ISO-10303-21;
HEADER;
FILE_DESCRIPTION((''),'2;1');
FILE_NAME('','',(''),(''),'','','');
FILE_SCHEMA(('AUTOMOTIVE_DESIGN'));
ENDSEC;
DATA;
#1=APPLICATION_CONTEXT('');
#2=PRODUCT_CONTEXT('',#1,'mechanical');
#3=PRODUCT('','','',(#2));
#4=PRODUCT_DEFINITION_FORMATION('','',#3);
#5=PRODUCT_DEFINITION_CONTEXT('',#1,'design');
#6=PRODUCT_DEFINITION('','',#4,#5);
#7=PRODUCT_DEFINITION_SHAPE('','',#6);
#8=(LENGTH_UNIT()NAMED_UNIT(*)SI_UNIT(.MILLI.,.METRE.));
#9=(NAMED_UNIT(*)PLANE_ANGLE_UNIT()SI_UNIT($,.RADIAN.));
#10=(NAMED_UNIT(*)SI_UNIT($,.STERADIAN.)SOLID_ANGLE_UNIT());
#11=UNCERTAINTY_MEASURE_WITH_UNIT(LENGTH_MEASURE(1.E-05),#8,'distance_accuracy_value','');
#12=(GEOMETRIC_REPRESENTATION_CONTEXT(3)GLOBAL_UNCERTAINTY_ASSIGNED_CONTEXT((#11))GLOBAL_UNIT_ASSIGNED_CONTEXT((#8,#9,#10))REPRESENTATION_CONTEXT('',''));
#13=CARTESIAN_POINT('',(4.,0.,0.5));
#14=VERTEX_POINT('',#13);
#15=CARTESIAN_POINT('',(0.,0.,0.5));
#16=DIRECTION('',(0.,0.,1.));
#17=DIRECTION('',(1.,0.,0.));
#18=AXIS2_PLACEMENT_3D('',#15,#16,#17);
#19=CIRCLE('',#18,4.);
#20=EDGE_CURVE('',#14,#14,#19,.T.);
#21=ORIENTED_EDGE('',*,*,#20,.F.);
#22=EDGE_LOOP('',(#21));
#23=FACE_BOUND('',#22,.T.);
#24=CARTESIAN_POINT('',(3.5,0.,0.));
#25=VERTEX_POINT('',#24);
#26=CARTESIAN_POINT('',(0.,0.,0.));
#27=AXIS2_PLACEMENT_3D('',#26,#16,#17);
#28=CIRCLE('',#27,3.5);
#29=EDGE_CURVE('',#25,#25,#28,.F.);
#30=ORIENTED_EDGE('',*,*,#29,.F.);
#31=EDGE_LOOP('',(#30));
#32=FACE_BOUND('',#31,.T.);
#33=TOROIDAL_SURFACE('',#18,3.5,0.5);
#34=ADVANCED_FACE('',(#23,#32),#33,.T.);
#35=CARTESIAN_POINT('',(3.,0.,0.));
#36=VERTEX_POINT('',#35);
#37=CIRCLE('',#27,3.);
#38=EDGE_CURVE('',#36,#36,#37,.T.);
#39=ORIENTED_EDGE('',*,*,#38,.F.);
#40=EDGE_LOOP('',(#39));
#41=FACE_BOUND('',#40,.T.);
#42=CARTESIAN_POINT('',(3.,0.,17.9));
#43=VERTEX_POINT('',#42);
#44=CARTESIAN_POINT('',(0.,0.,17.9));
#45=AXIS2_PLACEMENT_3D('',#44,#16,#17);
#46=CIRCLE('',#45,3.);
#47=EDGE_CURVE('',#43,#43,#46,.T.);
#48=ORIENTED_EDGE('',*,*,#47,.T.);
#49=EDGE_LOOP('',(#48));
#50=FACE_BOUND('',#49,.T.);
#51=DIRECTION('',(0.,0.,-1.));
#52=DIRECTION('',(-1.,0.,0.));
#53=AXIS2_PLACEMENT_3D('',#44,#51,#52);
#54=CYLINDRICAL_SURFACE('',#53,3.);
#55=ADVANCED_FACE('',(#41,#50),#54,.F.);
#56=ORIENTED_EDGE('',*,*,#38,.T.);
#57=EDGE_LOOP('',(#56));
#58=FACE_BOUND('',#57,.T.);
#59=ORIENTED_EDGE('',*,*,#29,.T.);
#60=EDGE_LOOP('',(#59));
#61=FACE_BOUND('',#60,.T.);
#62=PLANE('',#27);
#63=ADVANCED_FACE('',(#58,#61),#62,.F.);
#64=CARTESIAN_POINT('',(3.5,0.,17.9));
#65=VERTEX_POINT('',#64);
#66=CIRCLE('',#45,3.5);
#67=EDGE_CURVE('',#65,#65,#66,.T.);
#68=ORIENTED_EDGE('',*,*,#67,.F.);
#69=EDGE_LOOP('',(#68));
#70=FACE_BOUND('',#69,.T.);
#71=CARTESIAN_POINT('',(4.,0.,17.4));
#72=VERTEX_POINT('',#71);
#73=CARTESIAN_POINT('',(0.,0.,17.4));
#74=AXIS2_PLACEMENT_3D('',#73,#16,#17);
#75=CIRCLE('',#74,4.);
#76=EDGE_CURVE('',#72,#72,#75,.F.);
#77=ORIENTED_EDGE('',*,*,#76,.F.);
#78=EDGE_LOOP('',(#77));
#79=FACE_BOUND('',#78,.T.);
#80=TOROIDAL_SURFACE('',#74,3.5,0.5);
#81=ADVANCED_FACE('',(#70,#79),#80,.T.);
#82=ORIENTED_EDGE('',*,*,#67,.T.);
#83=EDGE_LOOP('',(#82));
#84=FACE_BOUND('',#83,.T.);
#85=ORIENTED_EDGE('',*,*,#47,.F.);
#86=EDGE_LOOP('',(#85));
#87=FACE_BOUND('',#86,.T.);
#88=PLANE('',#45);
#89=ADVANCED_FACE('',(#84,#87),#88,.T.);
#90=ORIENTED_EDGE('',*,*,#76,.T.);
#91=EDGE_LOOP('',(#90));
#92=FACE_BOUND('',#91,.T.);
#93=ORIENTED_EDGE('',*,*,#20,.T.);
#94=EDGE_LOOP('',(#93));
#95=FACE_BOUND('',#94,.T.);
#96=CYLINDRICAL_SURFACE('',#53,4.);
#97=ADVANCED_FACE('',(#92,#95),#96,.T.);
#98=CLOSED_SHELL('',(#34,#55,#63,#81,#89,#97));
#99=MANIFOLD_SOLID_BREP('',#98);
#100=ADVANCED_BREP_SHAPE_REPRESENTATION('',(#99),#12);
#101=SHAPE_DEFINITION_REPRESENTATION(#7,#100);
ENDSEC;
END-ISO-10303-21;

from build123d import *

# Parameters (mm, degrees)
SKETCH1_R           = 4
SKETCH1_R_2         = 3
BOSS_EXTRUDE1_DEPTH = 17.9
FILLET1_R           = 0.5


with BuildPart() as part:
    # Sketch1 → Boss-Extrude1 (new body)
    with BuildSketch(Plane.XY):
        Circle(SKETCH1_R)
        Circle(SKETCH1_R_2, mode=Mode.SUBTRACT)
    extrude(amount=BOSS_EXTRUDE1_DEPTH)

    # Fillet1
    fillet1_edges = [part.edges().sort_by_distance(p)[0] for p in [
        (-4, 0, 0),
        (-4, 0, 17.9),
    ]]
    fillet(fillet1_edges, radius=FILLET1_R)


solid = part.part
